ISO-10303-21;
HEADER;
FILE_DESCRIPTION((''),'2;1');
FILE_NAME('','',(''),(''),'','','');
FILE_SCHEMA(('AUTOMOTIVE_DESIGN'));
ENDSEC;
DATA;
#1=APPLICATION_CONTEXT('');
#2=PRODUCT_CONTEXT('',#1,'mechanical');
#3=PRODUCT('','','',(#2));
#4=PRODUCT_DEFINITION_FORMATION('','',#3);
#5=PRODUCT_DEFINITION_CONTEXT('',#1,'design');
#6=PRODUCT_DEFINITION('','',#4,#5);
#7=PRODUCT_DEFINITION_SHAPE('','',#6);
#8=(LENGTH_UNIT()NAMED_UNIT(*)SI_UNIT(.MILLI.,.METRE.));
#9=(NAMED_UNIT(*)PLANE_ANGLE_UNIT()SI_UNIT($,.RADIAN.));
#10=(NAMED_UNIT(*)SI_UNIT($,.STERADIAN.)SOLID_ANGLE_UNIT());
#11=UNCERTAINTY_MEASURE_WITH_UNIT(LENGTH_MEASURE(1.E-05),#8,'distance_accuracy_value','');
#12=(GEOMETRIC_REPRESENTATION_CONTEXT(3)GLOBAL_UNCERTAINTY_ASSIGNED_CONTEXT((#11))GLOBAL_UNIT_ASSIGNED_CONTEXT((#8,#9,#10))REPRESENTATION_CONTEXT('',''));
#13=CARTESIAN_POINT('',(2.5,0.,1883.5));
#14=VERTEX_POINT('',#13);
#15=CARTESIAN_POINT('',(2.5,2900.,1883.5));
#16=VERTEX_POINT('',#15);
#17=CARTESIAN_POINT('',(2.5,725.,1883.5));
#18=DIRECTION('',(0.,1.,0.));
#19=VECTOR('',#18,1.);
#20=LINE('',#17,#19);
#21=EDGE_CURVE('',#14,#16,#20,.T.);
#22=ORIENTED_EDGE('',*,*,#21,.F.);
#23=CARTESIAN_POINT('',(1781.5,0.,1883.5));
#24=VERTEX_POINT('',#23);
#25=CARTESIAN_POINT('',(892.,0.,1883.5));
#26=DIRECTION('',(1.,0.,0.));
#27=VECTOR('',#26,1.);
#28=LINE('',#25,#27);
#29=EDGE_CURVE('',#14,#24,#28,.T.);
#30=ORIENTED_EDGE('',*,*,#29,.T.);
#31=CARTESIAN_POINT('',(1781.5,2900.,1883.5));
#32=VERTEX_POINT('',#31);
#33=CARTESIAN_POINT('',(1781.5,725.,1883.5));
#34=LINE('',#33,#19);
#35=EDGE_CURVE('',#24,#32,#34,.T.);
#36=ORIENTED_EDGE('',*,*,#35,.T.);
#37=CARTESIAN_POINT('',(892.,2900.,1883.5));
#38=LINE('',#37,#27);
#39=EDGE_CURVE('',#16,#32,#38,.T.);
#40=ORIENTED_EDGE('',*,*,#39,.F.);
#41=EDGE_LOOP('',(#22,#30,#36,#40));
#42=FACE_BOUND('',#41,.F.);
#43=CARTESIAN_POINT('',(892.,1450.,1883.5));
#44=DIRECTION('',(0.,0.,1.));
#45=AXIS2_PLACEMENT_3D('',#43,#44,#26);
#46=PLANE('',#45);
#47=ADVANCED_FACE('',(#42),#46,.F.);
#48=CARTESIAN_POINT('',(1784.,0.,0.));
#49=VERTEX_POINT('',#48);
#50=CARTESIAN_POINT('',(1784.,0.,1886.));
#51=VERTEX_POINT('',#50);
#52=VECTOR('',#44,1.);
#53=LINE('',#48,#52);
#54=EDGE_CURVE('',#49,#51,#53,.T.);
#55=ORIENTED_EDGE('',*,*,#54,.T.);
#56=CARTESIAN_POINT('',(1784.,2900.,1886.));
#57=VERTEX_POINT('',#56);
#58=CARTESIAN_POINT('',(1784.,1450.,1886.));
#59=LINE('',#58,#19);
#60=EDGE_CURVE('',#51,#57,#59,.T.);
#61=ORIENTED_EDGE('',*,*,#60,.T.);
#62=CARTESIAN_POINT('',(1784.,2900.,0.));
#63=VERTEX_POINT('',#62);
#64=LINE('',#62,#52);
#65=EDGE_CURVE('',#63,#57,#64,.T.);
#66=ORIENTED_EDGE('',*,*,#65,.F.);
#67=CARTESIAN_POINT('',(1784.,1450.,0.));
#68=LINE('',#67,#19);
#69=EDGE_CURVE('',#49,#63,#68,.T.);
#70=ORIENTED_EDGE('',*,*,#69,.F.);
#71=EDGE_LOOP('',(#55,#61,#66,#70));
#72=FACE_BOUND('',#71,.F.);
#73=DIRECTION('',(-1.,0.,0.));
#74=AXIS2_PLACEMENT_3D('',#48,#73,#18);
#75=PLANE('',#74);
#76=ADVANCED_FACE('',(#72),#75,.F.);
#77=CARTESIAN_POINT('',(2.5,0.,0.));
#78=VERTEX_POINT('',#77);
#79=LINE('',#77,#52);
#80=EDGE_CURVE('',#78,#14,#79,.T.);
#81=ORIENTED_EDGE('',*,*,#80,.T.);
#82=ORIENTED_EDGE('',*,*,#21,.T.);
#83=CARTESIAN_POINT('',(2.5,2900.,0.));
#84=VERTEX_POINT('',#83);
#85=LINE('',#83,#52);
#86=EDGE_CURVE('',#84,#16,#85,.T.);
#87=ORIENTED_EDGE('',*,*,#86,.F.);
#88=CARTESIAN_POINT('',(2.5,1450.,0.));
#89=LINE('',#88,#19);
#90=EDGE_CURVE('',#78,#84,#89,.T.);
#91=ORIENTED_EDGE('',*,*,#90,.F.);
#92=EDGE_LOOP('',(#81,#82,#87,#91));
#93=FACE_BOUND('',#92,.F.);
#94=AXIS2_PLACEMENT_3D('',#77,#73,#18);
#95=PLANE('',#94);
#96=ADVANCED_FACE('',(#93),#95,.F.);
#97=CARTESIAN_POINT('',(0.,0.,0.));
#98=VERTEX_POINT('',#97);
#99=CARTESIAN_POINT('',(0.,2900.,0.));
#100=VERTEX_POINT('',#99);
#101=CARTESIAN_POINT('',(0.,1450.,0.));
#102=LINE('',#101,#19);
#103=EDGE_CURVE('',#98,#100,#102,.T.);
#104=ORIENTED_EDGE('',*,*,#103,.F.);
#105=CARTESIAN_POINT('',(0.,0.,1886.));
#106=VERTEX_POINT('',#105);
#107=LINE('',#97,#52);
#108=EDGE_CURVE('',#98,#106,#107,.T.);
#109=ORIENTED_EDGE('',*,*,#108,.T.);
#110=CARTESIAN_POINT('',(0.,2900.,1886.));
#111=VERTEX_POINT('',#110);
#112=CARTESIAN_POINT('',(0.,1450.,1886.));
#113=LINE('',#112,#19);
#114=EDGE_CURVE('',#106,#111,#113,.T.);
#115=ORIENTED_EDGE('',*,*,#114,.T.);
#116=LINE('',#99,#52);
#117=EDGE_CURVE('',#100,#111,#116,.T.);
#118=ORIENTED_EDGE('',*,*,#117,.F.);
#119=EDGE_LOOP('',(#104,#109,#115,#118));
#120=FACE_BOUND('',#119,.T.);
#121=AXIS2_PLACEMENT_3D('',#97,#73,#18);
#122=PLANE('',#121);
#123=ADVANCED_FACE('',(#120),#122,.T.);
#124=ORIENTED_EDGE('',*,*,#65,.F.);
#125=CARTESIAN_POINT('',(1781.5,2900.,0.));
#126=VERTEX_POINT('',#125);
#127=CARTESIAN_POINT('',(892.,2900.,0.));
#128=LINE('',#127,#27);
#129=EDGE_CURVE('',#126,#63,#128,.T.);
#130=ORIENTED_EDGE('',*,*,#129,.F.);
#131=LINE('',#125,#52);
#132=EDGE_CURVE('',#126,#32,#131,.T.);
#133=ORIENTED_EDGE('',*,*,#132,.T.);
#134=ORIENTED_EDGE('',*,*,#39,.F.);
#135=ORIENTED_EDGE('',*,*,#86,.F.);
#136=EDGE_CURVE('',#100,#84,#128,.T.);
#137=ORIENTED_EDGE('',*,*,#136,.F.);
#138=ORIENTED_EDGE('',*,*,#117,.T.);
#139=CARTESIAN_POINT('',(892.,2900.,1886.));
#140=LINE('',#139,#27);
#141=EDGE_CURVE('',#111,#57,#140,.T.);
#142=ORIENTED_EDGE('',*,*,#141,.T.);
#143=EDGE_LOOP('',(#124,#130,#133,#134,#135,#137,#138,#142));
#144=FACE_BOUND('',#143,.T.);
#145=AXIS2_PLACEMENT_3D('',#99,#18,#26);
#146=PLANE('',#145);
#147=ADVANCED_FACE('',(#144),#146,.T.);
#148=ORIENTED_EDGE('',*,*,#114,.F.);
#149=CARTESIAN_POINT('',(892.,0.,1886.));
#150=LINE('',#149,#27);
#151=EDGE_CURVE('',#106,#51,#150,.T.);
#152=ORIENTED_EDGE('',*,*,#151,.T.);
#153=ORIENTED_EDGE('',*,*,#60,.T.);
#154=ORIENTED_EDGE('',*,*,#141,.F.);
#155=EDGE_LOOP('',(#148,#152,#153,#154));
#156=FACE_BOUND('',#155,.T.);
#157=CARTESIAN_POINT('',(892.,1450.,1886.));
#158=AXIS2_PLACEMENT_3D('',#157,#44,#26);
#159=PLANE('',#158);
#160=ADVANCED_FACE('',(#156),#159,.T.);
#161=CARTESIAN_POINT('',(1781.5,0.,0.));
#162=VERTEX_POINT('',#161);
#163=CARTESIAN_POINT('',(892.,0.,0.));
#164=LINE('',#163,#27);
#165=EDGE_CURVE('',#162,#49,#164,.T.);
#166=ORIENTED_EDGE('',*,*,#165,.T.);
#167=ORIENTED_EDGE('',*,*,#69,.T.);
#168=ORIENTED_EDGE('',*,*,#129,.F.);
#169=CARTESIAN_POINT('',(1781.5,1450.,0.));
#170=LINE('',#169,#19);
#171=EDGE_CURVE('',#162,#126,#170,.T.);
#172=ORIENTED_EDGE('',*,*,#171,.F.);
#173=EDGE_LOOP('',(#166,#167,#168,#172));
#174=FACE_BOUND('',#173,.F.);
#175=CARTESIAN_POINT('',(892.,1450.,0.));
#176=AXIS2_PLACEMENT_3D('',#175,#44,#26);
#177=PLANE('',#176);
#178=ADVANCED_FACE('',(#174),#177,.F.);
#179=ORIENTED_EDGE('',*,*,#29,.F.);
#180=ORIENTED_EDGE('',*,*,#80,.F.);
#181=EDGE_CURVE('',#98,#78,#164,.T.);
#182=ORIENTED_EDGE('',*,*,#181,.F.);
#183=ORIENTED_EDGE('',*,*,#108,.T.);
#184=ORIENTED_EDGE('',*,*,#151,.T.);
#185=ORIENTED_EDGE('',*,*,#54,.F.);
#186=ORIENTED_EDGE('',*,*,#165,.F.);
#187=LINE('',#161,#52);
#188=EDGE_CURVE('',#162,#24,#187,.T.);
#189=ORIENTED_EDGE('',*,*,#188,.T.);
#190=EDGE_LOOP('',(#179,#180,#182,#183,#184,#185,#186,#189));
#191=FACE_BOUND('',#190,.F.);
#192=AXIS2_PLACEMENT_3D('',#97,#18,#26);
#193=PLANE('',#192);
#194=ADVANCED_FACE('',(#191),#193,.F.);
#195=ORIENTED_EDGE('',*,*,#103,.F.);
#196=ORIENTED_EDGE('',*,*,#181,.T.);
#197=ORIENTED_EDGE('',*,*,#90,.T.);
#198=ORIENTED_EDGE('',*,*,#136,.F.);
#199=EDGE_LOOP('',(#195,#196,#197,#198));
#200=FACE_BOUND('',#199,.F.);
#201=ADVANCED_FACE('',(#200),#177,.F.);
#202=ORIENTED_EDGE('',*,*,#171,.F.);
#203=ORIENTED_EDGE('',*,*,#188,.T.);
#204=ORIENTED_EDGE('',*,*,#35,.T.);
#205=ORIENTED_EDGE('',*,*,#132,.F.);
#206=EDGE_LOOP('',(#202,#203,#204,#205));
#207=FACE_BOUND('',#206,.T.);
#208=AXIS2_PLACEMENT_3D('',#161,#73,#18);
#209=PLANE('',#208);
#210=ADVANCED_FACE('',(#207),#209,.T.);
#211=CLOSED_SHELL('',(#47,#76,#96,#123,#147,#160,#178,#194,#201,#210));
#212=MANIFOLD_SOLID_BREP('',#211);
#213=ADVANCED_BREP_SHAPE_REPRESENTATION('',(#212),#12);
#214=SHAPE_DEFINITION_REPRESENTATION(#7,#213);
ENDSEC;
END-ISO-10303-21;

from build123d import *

# Parameters (mm, degrees)
F0_W     = 1784
F0_H     = 2900
F1_DEPTH = 1886
F2_T     = -2.5


with BuildPart() as f1:
    # F0 (on Top) → F1 (new body)
    with BuildSketch(Plane.XY):
        with Locations((892, 1450)):
            Rectangle(F0_W, F0_H)
    extrude(amount=F1_DEPTH)

    # F2
    f2_openings = [f1.faces().sort_by_distance(p)[0] for p in [
        (892, 0, 943),
        (892, 2900, 943),
        (892, 1450, 0),
    ]]
    offset(amount=F2_T, openings=f2_openings)


solid = f1.part
